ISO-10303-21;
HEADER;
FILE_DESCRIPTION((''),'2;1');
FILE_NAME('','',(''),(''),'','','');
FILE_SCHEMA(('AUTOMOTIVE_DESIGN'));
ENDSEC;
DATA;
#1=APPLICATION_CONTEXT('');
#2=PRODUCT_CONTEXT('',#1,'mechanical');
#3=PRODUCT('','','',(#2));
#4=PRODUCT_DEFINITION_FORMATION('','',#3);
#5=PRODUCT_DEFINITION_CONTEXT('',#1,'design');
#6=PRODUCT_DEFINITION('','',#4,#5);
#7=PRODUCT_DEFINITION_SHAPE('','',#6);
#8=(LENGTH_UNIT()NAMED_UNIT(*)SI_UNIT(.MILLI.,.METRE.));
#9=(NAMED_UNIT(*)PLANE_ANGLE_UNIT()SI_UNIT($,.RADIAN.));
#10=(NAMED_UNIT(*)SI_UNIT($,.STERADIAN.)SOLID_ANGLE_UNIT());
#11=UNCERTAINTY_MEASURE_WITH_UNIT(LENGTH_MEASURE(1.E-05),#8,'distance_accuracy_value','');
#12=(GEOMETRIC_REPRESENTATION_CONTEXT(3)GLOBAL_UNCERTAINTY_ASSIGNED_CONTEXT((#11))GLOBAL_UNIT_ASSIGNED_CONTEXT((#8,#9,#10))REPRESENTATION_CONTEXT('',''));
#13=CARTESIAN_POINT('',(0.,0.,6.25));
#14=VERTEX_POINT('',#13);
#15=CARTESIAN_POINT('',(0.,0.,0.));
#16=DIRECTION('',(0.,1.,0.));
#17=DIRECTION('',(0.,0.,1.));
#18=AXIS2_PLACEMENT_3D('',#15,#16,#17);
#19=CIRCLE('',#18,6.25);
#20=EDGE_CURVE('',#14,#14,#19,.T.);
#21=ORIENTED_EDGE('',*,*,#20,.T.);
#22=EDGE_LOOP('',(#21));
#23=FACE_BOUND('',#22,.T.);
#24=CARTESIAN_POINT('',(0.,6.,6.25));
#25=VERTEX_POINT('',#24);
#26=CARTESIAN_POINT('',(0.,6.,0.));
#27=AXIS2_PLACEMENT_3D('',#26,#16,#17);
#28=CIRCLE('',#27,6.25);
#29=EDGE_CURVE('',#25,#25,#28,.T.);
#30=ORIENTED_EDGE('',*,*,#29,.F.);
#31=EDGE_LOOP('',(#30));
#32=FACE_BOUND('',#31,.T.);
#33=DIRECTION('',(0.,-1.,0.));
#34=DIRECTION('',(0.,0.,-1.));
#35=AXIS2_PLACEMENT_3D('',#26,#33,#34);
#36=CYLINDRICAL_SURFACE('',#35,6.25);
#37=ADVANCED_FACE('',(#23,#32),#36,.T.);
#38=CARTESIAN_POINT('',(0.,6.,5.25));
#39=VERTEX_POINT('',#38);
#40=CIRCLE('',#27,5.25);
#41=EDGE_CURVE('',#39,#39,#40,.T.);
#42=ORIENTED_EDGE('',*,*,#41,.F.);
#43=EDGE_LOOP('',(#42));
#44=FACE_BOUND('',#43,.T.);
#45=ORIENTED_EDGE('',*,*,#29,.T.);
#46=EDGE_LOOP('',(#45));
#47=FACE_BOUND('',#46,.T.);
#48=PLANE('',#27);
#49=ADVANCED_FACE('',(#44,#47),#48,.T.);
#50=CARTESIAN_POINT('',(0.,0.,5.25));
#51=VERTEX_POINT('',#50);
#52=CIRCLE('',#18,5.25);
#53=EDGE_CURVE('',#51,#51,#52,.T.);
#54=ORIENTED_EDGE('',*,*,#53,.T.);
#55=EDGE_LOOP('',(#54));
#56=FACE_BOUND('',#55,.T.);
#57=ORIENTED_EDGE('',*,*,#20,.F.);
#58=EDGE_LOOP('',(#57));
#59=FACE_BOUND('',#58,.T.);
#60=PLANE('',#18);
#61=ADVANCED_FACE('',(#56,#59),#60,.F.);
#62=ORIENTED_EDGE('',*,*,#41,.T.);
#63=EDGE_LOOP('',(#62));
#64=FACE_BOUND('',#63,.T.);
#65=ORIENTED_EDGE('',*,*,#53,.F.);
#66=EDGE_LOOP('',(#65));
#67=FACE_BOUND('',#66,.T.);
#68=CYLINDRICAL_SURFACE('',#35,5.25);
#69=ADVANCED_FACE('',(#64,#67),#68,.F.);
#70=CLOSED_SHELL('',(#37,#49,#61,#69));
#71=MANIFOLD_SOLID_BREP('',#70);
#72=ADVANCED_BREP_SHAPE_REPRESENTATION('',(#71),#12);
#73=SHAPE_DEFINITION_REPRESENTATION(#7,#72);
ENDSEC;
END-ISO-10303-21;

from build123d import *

# Parameters (mm, degrees)
SKETCH_1_R      = 6.25
SKETCH_1_R_2    = 5.25
EXTRUDE_1_DEPTH = 6


with BuildPart() as part:
    # Эскиз1 → Бобышка-Вытянуть1 (new body)
    with BuildSketch(Plane(origin=(0, 0, 0), x_dir=(1, 0, 0), z_dir=(0, 1, 0))):
        with Locations(Location((0, 0, 0), (0, 0, 270))):
            Circle(SKETCH_1_R)
        with Locations(Location((0, 0, 0), (0, 0, 270))):
            Circle(SKETCH_1_R_2, mode=Mode.SUBTRACT)
    extrude(amount=EXTRUDE_1_DEPTH)


solid = part.part
